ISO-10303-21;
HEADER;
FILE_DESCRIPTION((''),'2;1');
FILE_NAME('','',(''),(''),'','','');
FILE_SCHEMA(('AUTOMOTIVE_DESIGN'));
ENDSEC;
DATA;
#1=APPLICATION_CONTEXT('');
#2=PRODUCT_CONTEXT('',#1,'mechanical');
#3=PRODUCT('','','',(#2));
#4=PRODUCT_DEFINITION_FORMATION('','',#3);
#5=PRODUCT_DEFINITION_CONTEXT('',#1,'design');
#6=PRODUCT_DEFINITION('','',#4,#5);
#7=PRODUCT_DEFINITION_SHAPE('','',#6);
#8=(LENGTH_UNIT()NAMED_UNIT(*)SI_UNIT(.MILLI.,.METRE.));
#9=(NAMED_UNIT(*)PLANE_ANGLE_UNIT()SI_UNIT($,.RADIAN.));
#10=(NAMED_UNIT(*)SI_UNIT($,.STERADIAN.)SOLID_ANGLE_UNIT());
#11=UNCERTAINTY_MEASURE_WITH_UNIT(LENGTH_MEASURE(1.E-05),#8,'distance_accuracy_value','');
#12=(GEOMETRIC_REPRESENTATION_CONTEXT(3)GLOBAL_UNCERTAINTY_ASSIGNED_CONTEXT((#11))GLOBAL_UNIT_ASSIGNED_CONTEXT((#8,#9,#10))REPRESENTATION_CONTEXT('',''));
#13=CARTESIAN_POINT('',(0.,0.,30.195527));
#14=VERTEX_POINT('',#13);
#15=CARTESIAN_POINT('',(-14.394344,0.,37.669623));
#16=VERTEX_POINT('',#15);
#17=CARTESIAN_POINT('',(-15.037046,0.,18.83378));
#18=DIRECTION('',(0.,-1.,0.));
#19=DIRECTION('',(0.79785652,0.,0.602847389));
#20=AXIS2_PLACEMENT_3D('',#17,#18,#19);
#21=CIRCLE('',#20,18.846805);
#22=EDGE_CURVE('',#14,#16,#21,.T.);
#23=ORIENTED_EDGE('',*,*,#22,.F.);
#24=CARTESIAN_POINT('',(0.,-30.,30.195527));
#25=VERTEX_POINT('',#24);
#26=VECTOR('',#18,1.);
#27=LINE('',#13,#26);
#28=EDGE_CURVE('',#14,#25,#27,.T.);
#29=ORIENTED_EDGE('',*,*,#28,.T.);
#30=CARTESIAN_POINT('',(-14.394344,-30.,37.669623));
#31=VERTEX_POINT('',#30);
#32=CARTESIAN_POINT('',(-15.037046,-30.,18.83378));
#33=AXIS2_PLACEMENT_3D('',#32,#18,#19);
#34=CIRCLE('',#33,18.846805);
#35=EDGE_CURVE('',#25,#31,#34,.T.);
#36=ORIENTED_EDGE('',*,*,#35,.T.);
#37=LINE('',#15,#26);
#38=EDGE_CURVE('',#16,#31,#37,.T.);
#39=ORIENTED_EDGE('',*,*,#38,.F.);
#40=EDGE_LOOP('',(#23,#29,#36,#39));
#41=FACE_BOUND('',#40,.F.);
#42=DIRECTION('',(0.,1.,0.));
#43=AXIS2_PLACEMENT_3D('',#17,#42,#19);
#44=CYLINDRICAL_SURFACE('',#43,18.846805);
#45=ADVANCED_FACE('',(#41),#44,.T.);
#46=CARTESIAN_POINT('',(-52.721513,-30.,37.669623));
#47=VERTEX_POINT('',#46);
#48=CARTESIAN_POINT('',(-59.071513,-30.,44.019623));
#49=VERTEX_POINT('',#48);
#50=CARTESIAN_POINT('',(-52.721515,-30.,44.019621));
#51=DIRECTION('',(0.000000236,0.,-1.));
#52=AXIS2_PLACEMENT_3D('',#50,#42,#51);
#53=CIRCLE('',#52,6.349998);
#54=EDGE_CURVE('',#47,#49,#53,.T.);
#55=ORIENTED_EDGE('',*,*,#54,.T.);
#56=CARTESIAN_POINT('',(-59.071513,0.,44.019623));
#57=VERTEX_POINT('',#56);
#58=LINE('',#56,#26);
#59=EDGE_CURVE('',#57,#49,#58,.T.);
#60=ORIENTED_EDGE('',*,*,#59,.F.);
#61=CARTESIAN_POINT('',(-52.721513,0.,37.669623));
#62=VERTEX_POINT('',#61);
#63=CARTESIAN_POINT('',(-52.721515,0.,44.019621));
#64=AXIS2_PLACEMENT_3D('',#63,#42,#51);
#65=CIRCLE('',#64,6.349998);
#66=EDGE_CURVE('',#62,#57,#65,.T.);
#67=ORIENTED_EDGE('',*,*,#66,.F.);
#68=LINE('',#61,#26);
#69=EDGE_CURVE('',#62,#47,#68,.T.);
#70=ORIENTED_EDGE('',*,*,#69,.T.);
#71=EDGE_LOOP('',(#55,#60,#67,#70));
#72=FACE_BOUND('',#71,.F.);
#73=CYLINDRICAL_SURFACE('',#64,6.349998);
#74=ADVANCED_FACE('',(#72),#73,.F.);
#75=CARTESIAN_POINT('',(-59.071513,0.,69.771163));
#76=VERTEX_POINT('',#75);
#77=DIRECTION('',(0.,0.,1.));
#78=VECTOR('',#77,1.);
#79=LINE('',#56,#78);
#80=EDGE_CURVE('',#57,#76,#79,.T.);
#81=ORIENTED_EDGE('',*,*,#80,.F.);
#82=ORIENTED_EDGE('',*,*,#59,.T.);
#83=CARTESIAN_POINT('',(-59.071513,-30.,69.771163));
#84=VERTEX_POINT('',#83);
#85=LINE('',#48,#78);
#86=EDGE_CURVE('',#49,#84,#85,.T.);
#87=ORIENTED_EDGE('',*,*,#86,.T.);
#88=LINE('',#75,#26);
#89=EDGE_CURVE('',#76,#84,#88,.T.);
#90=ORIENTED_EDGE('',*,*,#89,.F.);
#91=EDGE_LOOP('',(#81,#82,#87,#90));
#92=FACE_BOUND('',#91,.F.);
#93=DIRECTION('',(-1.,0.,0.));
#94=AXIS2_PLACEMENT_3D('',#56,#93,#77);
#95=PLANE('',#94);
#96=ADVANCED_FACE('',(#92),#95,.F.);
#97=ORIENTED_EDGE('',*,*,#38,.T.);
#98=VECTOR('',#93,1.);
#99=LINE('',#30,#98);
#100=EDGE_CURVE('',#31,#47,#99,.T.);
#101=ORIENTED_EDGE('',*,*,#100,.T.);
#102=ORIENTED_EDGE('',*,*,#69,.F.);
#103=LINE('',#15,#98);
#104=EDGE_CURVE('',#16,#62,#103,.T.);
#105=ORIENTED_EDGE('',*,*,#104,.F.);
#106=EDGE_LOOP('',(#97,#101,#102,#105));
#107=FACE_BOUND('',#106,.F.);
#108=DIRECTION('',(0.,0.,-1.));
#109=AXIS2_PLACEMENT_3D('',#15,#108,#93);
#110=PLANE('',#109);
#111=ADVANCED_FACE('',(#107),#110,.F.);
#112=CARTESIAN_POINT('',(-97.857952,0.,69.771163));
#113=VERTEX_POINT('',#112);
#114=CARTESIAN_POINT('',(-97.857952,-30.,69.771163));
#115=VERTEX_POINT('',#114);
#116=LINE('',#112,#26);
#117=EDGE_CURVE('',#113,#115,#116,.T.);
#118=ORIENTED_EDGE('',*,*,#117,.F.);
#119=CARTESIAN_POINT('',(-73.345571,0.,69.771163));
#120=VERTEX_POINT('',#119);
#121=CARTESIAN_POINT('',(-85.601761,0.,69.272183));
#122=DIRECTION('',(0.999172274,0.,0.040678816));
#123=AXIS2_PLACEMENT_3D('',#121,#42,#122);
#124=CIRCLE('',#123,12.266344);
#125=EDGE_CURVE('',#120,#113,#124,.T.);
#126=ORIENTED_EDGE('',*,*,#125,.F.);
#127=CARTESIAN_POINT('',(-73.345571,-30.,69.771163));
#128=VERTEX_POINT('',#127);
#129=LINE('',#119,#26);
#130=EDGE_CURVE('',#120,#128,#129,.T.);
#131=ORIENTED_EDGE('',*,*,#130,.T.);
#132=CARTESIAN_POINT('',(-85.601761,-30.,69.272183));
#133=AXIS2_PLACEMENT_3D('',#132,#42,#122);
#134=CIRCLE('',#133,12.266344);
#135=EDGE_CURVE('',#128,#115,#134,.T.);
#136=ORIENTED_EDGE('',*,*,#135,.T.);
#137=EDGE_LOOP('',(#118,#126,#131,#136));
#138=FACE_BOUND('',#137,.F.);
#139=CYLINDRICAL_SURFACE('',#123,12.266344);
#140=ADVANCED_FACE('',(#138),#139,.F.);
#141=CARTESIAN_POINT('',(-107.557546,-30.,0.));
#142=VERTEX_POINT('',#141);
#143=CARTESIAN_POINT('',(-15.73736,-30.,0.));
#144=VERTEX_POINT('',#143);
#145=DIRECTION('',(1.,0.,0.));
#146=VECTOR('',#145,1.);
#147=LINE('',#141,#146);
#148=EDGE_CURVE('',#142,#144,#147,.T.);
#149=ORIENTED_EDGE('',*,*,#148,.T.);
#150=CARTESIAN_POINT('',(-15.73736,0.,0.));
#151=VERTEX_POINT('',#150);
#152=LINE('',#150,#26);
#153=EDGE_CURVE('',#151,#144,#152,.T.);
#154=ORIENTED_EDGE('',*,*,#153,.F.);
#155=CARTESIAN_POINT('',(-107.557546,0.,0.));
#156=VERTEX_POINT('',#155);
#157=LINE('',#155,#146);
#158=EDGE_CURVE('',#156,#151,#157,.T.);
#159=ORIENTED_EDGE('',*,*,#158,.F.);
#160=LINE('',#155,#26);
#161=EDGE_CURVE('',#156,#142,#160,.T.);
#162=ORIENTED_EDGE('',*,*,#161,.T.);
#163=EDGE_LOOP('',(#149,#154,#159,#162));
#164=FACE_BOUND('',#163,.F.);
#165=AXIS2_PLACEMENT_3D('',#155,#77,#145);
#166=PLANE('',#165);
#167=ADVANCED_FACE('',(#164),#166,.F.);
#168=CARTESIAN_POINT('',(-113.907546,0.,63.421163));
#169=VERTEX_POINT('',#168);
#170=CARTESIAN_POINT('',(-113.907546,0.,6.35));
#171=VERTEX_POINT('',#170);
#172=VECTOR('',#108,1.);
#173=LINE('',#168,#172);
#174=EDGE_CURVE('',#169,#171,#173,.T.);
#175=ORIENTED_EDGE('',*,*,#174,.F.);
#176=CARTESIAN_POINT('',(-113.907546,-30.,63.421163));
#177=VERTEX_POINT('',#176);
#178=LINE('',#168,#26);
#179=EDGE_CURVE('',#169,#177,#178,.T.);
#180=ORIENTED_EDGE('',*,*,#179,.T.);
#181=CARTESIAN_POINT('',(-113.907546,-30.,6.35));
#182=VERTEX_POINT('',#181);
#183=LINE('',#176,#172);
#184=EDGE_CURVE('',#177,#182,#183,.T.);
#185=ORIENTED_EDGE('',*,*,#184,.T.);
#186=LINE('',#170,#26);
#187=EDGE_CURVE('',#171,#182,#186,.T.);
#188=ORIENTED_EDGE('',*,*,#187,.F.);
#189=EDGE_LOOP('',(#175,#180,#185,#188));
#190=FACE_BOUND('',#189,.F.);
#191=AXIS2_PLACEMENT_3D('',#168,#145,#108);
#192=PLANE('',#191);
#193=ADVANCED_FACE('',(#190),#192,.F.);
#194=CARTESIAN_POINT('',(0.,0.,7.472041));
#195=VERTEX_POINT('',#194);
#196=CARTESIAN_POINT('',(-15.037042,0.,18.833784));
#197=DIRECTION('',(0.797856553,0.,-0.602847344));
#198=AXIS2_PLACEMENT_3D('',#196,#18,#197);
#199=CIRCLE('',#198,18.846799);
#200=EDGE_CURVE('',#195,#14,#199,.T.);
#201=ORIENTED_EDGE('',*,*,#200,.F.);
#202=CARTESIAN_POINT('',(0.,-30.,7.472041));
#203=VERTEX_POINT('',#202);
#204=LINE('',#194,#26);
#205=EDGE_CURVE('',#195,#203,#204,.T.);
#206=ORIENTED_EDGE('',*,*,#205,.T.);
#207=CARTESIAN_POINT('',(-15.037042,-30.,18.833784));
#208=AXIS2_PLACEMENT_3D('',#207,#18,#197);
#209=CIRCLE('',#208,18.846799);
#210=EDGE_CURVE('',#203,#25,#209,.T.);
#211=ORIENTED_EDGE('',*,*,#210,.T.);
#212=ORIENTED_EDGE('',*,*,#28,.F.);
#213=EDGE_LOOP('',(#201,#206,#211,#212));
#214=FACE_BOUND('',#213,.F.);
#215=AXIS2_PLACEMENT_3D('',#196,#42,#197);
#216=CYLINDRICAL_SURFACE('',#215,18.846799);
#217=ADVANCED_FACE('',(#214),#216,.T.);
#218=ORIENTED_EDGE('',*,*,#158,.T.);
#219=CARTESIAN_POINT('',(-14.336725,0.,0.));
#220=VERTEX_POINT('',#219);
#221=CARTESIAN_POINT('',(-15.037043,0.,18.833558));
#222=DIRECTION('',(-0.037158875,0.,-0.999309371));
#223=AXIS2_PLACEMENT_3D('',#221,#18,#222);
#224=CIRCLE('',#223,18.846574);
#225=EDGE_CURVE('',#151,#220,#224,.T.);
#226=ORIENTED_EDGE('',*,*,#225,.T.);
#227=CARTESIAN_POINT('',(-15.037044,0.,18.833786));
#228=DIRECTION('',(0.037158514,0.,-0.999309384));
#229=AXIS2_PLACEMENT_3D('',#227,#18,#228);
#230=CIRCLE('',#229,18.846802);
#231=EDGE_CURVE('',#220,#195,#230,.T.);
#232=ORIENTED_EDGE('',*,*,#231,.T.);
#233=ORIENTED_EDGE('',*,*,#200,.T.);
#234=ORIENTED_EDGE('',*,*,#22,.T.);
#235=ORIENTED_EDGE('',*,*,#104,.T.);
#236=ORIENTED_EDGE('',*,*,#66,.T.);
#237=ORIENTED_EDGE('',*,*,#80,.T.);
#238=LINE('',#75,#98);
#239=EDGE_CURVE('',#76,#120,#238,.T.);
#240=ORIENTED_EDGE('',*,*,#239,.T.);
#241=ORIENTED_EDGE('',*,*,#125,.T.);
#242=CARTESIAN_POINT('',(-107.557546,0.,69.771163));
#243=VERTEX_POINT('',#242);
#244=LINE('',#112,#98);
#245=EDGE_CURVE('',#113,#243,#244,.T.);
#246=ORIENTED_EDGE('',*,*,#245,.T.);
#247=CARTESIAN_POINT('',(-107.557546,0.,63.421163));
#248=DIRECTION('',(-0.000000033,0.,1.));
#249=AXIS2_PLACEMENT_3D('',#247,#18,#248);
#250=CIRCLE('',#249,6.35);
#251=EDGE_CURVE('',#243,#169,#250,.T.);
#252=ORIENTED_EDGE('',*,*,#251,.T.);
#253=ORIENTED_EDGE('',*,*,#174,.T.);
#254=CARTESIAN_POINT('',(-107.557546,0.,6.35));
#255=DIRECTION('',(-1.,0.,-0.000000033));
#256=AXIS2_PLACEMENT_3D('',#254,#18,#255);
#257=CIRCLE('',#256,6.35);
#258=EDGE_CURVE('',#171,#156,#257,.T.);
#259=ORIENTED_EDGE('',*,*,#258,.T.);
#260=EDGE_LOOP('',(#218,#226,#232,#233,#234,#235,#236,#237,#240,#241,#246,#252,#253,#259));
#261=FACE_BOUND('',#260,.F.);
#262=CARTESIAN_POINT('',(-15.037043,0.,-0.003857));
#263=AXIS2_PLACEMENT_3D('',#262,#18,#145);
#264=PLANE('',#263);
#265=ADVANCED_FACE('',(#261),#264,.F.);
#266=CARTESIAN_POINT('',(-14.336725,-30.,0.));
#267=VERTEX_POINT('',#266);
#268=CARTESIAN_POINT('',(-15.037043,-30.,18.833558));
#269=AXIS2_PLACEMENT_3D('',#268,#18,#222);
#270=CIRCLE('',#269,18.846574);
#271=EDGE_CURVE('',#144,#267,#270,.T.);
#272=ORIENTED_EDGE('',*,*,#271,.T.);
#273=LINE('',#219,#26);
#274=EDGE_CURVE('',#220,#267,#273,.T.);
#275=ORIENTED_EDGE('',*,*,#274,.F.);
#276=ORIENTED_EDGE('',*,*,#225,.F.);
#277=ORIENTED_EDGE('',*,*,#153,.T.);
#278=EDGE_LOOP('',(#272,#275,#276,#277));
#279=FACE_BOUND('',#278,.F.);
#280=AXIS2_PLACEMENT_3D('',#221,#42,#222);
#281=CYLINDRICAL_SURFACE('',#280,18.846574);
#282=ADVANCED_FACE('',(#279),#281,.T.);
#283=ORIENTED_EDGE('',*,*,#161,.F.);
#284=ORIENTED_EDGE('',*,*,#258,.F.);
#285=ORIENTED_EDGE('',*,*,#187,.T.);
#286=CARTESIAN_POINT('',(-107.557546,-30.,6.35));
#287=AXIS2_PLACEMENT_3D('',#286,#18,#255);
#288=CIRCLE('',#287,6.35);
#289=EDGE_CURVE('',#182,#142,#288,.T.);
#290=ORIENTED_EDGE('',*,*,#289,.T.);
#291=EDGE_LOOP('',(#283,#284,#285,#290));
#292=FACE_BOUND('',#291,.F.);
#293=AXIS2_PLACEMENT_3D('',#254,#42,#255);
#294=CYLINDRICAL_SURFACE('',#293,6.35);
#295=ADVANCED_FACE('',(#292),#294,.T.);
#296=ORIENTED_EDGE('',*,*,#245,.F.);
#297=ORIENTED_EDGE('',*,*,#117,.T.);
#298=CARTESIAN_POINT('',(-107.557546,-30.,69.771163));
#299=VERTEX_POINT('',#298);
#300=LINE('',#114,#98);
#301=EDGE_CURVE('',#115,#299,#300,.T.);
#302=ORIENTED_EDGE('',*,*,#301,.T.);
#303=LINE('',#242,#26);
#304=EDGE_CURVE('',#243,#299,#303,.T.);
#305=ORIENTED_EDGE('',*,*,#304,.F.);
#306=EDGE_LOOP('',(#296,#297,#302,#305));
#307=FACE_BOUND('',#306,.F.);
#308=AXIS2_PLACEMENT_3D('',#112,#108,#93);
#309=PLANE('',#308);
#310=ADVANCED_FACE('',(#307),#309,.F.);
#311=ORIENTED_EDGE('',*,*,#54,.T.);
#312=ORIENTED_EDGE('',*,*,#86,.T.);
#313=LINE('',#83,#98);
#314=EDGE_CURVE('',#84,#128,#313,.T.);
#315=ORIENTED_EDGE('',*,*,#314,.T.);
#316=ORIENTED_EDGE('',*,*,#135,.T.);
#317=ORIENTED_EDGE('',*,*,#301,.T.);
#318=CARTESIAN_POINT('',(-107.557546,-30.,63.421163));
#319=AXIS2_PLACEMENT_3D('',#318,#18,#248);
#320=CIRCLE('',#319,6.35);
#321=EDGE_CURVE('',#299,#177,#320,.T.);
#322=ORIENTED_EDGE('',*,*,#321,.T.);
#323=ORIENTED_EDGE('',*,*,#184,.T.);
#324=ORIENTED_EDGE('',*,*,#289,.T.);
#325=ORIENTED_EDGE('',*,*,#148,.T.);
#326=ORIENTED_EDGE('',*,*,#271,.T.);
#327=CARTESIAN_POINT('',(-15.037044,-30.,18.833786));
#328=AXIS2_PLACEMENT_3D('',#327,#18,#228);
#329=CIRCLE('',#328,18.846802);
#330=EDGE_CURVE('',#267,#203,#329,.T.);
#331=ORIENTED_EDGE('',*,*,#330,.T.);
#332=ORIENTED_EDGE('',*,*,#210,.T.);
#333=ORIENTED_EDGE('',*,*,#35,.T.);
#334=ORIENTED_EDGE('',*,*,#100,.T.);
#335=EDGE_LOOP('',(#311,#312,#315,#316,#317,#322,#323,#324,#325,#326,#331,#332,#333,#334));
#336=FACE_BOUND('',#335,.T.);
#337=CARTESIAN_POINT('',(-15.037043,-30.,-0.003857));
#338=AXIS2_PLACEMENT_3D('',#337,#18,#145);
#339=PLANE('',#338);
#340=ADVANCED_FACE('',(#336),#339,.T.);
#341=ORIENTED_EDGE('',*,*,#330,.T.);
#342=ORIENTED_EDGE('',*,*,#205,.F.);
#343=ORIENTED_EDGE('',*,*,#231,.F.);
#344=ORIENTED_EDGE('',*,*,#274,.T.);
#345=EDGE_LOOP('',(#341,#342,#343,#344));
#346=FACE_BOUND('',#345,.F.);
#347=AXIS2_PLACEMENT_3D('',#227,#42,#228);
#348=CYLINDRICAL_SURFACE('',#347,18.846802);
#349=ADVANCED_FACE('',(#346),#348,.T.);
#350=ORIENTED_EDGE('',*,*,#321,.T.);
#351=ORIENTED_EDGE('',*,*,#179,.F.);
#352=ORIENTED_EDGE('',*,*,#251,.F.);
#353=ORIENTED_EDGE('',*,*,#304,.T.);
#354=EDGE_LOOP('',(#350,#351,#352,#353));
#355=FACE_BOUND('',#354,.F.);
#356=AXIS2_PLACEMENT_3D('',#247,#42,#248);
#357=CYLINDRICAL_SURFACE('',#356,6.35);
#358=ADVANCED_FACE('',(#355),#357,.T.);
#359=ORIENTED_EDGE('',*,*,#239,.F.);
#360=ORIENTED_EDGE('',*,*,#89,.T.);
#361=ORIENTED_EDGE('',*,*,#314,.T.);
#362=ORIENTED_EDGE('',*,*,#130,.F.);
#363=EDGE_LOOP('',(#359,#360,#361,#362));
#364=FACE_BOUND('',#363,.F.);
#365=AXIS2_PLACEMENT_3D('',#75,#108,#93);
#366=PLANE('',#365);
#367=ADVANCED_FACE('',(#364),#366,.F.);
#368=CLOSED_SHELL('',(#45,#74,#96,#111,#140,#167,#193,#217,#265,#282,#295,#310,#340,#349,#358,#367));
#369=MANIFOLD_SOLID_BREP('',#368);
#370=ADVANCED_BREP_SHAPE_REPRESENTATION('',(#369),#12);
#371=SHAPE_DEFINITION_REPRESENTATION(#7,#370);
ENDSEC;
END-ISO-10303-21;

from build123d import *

# Parameters (mm, degrees)
F1_DEPTH = 30


with BuildPart() as f1:
    # F0 (on Front) → F1 (new body)
    with BuildSketch(Plane.XZ):
        with BuildLine():
            ThreePointArc((-15.73736, 0), (-15.037043, -0.013016), (-14.336725, 0))
            Line((-14.336725, 0), (-15.73736, 0))
        make_face()
        with BuildLine():
            Line((-15.73736, 0), (-14.336725, 0))
            ThreePointArc((-14.336725, 0), (-6.326476, 2.120679), (0, 7.472041))
            ThreePointArc((0, 7.472041), (3.809757, 18.833784), (0, 30.195527))
            ThreePointArc((0, 30.195527), (-6.35205, 35.560193), (-14.394344, 37.669623))
            Line((-14.394344, 37.669623), (-52.721513, 37.669623))
            ThreePointArc((-52.721513, 37.669623), (-57.211641, 39.529494), (-59.071513, 44.019623))
            Line((-59.071513, 44.019623), (-59.071513, 69.771163))
            Line((-59.071513, 69.771163), (-73.345571, 69.771163))
            ThreePointArc((-73.345571, 69.771163), (-85.601762, 57.005839), (-97.857952, 69.771163))
            Line((-97.857952, 69.771163), (-107.557546, 69.771163))
            ThreePointArc((-107.557546, 69.771163), (-112.047674, 67.911291), (-113.907546, 63.421163))
            Line((-113.907546, 63.421163), (-113.907546, 6.35))
            ThreePointArc((-113.907546, 6.35), (-112.047674, 1.859872), (-107.557546, 0))
            Line((-107.557546, 0), (-15.73736, 0))
        make_face()
    extrude(amount=F1_DEPTH)


solid = f1.part
